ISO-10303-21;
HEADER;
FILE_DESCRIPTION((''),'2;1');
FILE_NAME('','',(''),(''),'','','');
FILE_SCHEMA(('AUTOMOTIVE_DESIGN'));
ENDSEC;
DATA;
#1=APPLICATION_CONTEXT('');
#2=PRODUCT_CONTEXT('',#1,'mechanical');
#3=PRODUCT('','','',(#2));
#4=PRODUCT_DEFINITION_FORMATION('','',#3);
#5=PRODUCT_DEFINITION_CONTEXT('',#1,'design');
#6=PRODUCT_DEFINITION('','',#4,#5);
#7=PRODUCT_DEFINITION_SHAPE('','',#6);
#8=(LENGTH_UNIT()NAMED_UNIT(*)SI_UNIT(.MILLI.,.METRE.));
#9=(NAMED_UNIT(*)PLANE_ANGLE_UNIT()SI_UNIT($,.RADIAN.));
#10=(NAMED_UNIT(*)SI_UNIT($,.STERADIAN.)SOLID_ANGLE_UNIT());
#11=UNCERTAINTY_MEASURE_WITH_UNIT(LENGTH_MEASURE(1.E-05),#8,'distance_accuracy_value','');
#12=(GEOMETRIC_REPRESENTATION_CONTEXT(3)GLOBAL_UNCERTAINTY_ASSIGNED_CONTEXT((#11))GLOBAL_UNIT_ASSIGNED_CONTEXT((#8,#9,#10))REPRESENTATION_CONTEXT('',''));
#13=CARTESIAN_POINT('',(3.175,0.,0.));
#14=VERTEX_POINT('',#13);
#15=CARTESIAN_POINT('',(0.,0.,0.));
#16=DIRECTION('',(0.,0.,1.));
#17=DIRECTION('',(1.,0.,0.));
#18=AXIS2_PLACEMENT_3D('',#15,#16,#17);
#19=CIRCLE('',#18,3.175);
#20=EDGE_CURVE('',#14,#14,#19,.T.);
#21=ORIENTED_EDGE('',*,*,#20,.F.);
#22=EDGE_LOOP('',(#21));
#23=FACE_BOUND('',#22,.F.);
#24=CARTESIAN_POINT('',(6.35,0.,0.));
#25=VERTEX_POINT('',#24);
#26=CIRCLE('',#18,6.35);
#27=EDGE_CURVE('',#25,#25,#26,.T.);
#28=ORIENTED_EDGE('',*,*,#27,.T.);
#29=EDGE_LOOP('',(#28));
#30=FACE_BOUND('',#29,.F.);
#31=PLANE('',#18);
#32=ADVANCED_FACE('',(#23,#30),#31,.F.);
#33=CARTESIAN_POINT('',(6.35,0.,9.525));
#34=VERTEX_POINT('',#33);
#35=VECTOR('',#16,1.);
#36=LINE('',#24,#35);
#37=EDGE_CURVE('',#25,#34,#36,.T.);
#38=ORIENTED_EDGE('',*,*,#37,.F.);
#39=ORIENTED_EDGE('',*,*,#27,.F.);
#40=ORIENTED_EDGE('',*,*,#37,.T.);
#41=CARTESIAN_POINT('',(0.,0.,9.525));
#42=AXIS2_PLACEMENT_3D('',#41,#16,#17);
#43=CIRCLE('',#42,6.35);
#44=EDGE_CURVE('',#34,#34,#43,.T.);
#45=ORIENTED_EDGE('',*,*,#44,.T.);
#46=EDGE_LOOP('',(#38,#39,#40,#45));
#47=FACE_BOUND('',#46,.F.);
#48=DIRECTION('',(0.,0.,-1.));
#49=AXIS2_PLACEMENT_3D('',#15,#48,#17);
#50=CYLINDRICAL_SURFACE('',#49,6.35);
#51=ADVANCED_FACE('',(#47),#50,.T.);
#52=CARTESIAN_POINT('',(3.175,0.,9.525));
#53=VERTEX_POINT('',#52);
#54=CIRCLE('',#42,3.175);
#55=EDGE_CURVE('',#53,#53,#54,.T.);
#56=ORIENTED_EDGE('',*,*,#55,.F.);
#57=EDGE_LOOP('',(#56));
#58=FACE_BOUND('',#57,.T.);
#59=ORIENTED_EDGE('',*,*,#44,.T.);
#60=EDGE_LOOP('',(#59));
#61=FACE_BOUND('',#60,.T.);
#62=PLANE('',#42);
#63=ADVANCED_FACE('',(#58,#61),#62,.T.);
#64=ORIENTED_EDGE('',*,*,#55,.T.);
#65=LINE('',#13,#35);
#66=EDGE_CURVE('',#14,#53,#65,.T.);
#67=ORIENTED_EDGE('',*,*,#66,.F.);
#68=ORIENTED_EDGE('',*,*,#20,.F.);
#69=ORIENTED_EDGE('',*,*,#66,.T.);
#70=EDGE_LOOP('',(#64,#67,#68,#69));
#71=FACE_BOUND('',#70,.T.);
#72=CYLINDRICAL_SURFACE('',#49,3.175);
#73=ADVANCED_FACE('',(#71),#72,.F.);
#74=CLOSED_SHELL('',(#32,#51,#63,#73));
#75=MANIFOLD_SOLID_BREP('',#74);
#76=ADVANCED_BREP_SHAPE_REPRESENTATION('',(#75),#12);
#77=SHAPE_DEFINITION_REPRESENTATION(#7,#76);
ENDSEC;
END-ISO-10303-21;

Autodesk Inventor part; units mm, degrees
ref_plane "YZ Plane" through (0, 0, 0) normal (1, 0, 0) x (0, 1, 0)
ref_plane "XZ Plane" through (0, 0, 0) normal (0, 1, 0) x (-1, 0, 0)
ref_plane "XY Plane" through (0, 0, 0) normal (0, 0, 1) x (1, 0, 0)
sketch "Sketch1" plane through (0, 0, 0) normal (0, 0, 1) x (1, 0, 0)
  circle A0 centre (0, 0) radius 3.175
  circle A1 centre (0, 0) radius 6.35
  dimension "d0" = 6.35
  dimension "d1" = 12.7
extrude "Extrusion1" add sketch "Sketch1" along normal blind 9.525
properties part number "Spacer .25D .375H"
